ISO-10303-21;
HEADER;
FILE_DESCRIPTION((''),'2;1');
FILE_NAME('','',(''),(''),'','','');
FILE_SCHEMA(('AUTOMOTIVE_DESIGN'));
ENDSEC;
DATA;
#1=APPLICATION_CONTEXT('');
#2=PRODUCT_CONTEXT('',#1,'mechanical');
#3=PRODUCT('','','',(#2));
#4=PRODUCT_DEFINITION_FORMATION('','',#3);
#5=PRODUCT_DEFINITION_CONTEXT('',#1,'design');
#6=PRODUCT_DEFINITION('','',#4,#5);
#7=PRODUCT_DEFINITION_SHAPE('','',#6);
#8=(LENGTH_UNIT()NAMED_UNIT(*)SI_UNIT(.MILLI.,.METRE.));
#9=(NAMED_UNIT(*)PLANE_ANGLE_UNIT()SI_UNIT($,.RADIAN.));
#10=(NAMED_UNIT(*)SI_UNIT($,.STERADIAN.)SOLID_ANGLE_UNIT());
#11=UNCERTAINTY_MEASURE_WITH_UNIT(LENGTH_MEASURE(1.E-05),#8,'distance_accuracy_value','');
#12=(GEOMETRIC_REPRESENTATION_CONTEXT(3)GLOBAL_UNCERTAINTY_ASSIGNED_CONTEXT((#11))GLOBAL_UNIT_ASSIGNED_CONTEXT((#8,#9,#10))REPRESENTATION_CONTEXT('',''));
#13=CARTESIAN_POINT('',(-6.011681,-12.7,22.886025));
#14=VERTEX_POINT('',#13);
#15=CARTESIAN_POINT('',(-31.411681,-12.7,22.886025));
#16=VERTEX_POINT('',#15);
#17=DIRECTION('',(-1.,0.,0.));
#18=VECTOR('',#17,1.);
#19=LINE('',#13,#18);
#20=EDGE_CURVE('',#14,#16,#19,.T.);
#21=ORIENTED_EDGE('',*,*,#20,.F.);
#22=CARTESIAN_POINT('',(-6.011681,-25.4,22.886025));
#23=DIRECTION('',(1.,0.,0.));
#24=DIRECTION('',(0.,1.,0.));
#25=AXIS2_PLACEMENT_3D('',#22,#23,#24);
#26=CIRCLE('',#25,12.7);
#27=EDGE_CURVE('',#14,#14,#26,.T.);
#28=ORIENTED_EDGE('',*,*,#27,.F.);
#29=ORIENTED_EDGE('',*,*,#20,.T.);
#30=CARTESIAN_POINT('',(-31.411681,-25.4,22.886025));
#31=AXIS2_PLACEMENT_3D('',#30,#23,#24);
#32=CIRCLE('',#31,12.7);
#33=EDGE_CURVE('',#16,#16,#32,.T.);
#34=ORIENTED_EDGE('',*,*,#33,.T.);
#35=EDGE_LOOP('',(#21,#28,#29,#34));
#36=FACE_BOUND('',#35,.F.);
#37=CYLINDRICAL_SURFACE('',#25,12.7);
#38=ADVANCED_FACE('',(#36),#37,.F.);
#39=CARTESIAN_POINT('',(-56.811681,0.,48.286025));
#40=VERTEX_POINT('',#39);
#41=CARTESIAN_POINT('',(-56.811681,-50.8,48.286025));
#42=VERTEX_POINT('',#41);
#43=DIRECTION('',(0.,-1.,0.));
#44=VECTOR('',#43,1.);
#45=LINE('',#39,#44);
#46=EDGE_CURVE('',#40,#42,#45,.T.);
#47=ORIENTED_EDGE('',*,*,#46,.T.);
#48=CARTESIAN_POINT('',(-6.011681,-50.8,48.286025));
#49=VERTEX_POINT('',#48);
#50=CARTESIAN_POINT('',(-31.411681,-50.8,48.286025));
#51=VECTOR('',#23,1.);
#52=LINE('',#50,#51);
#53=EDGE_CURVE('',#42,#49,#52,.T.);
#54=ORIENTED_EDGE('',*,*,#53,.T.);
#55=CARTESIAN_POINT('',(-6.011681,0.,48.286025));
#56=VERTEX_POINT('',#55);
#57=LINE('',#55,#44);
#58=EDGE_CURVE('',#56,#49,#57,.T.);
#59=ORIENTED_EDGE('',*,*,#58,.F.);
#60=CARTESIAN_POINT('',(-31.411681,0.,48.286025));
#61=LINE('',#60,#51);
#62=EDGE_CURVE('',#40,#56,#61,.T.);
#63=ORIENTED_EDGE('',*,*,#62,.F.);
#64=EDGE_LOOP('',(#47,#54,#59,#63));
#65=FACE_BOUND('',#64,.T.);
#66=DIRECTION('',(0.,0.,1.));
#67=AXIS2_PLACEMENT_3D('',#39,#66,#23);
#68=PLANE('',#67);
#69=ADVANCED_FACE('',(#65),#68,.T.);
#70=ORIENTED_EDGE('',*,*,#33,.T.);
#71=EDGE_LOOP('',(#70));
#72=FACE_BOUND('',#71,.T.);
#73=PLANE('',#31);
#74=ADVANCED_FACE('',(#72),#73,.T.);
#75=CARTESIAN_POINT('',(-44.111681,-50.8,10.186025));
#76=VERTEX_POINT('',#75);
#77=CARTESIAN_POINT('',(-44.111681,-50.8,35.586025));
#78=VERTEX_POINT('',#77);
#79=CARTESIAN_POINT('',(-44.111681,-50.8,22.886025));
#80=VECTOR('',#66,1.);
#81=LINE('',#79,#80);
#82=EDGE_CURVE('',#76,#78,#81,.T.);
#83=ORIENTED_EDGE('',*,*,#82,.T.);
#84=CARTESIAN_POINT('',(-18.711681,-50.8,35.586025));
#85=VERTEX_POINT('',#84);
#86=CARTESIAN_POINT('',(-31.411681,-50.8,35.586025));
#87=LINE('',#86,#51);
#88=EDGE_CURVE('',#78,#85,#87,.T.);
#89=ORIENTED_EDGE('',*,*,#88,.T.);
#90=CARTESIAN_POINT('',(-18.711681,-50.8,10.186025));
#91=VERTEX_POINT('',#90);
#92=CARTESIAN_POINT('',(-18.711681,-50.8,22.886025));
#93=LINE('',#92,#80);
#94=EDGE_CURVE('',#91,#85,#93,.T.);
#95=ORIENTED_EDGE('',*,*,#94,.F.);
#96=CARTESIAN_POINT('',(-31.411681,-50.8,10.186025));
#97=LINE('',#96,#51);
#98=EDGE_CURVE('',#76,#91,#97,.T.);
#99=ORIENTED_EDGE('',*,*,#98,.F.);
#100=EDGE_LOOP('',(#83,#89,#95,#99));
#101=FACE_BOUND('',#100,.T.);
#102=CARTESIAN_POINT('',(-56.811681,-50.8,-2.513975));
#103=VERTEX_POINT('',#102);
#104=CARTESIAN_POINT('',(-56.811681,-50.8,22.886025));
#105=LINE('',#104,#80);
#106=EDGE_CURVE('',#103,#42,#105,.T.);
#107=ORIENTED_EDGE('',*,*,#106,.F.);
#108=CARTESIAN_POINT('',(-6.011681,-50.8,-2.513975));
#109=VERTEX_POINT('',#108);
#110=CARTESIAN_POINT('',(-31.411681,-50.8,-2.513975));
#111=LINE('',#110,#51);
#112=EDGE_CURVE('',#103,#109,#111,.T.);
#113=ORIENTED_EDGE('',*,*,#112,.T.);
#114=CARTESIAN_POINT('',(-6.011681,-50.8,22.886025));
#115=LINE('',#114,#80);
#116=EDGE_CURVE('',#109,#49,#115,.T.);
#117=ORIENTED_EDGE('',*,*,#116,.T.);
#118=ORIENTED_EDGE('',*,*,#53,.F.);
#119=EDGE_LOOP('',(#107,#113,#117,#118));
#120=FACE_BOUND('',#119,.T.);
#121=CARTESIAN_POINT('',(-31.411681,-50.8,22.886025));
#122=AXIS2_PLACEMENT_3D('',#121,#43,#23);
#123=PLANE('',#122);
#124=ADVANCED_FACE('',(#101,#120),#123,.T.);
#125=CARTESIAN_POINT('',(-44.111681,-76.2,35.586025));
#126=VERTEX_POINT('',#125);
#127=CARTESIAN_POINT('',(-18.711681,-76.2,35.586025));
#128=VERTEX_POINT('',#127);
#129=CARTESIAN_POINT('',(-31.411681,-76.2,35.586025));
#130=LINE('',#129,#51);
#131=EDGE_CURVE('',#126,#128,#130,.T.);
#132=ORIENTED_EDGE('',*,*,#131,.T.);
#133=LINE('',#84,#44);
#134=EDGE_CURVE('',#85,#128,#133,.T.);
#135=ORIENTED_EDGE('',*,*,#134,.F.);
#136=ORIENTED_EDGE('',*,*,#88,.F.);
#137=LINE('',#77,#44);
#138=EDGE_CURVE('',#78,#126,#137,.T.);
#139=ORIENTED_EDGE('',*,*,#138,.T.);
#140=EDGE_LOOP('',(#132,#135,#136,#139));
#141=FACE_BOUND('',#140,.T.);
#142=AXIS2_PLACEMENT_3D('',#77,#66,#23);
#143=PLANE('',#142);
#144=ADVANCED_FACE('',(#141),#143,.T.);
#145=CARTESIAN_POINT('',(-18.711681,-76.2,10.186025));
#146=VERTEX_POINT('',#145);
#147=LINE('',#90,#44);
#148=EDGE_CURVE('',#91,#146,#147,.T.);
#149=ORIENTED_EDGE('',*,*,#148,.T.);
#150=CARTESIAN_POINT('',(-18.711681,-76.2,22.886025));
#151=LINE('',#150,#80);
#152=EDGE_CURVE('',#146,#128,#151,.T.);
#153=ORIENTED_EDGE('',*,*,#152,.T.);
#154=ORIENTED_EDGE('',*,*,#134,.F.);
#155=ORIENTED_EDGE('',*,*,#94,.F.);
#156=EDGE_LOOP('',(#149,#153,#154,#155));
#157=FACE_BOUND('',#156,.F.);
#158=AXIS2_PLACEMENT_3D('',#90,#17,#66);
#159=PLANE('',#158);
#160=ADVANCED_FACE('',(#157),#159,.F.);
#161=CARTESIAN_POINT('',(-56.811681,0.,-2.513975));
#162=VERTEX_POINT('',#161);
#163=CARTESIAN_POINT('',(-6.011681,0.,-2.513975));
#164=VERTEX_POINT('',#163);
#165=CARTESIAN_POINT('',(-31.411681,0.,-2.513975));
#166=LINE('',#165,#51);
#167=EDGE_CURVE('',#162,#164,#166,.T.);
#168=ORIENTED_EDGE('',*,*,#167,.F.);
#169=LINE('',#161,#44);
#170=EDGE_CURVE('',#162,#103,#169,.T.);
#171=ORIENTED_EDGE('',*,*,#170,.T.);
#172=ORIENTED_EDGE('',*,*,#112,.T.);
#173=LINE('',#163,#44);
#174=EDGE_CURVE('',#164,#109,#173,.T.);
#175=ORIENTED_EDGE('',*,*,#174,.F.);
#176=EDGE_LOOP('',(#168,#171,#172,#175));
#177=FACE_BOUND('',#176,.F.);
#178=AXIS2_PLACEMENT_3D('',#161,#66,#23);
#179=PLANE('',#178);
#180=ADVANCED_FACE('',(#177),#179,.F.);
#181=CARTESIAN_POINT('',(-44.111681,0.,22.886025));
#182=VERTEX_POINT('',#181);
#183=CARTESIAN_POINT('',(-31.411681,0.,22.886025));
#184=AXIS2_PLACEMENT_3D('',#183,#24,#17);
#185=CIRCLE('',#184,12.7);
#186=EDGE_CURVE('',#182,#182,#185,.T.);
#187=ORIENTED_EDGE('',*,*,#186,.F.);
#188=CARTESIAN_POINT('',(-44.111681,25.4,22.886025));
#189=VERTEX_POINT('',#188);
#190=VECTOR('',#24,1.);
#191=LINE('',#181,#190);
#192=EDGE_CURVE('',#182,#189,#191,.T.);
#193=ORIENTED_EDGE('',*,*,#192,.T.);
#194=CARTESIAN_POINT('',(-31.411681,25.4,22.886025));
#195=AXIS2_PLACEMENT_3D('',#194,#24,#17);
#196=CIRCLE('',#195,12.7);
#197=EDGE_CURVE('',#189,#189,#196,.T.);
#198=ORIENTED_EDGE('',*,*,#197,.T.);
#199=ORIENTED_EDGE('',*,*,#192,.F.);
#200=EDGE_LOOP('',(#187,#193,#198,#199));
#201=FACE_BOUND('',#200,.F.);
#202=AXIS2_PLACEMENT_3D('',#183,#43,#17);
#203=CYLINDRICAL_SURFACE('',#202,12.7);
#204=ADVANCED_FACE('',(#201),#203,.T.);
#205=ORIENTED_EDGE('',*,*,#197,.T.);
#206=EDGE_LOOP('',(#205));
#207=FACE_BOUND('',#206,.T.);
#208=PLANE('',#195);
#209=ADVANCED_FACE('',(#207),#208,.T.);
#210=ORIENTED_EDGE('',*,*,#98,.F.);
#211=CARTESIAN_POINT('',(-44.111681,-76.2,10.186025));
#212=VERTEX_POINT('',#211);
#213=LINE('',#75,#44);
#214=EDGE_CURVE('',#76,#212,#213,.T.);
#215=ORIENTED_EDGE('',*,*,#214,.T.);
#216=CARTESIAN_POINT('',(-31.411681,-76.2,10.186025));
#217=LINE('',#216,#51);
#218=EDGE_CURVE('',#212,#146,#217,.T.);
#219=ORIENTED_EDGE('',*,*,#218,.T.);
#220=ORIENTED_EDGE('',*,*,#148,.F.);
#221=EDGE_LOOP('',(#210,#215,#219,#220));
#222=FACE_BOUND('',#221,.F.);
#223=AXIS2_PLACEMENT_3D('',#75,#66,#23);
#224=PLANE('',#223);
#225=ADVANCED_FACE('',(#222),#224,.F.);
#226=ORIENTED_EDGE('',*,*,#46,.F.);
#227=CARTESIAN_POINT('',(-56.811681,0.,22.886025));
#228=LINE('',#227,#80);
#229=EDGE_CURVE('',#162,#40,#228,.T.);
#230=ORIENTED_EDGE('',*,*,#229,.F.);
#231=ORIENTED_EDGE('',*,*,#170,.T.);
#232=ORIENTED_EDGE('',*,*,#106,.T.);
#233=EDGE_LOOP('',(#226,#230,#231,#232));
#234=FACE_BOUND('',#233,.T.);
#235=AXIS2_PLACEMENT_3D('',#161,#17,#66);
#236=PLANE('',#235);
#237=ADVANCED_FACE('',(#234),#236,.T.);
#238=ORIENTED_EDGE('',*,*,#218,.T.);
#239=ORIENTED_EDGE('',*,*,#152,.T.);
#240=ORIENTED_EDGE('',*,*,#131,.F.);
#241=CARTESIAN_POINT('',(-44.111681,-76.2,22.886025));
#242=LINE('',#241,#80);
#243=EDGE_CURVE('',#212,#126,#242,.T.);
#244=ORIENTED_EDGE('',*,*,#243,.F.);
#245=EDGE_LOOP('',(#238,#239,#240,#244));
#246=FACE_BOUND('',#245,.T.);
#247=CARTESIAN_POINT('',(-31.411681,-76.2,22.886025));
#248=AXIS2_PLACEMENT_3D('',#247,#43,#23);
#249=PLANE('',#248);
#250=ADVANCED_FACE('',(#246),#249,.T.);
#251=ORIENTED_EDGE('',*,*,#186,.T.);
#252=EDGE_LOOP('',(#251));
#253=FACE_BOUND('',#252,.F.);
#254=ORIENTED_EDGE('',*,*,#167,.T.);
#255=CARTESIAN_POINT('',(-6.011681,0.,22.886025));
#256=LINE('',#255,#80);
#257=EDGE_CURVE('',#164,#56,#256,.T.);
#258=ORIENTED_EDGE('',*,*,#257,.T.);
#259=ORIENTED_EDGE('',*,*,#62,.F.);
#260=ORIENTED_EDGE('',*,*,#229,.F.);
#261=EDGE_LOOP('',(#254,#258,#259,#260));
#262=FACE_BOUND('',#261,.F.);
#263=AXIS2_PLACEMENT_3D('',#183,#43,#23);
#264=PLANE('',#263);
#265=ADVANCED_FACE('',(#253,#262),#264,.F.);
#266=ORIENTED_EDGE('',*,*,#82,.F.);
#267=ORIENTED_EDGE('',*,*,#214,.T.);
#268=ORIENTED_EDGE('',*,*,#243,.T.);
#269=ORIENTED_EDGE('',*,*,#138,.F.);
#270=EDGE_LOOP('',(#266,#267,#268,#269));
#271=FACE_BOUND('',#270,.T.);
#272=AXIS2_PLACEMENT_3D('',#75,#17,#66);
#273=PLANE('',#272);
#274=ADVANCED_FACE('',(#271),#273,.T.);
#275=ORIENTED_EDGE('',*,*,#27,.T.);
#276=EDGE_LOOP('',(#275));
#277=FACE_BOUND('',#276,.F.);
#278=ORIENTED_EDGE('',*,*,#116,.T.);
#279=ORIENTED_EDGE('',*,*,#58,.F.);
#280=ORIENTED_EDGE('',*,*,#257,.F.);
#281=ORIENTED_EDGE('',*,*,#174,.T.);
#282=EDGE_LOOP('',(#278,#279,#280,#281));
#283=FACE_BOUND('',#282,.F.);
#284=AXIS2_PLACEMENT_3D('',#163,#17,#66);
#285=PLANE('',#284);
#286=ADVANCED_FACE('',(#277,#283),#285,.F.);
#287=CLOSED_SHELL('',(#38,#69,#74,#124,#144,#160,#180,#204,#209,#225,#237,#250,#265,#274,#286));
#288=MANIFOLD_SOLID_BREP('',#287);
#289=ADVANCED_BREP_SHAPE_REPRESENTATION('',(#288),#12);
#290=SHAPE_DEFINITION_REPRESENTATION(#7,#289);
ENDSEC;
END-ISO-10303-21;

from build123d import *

# Parameters (mm, degrees)
F0_W     = 50.8
F0_H     = 50.8
F1_DEPTH = 50.8
F2_W     = 25.4
F2_H     = 25.4
F3_DEPTH = 25.4
F4_R     = 12.7
F5_DEPTH = 25.4
F6_R     = 12.7
F7_DEPTH = 25.4


with BuildPart() as f1:
    # F0 (on Front) → F1 (new body)
    with BuildSketch(Plane.XZ):
        with Locations((-31.411681, 22.886025)):
            Rectangle(F0_W, F0_H)
    extrude(amount=F1_DEPTH)

    # F2 (on face) → F3 (join)
    with BuildSketch(Plane.XZ.offset(50.8)):
        with Locations((-31.411681, 22.886025)):
            Rectangle(F2_W, F2_H)
    extrude(amount=F3_DEPTH)

    # F4 (on face) → F5 (cut)
    with BuildSketch(Plane.YZ.offset(-6.011681)):
        with Locations((-25.4, 22.886025)):
            Circle(F4_R)
    extrude(amount=-F5_DEPTH, mode=Mode.SUBTRACT)

    # F6 (on face) → F7 (join)
    with BuildSketch(Plane(origin=(0, 0, 0), x_dir=(-1, 0, 0), z_dir=(0, 1, 0))):
        with Locations((31.411681, 22.886025)):
            Circle(F6_R)
    extrude(amount=F7_DEPTH)


solid = f1.part
